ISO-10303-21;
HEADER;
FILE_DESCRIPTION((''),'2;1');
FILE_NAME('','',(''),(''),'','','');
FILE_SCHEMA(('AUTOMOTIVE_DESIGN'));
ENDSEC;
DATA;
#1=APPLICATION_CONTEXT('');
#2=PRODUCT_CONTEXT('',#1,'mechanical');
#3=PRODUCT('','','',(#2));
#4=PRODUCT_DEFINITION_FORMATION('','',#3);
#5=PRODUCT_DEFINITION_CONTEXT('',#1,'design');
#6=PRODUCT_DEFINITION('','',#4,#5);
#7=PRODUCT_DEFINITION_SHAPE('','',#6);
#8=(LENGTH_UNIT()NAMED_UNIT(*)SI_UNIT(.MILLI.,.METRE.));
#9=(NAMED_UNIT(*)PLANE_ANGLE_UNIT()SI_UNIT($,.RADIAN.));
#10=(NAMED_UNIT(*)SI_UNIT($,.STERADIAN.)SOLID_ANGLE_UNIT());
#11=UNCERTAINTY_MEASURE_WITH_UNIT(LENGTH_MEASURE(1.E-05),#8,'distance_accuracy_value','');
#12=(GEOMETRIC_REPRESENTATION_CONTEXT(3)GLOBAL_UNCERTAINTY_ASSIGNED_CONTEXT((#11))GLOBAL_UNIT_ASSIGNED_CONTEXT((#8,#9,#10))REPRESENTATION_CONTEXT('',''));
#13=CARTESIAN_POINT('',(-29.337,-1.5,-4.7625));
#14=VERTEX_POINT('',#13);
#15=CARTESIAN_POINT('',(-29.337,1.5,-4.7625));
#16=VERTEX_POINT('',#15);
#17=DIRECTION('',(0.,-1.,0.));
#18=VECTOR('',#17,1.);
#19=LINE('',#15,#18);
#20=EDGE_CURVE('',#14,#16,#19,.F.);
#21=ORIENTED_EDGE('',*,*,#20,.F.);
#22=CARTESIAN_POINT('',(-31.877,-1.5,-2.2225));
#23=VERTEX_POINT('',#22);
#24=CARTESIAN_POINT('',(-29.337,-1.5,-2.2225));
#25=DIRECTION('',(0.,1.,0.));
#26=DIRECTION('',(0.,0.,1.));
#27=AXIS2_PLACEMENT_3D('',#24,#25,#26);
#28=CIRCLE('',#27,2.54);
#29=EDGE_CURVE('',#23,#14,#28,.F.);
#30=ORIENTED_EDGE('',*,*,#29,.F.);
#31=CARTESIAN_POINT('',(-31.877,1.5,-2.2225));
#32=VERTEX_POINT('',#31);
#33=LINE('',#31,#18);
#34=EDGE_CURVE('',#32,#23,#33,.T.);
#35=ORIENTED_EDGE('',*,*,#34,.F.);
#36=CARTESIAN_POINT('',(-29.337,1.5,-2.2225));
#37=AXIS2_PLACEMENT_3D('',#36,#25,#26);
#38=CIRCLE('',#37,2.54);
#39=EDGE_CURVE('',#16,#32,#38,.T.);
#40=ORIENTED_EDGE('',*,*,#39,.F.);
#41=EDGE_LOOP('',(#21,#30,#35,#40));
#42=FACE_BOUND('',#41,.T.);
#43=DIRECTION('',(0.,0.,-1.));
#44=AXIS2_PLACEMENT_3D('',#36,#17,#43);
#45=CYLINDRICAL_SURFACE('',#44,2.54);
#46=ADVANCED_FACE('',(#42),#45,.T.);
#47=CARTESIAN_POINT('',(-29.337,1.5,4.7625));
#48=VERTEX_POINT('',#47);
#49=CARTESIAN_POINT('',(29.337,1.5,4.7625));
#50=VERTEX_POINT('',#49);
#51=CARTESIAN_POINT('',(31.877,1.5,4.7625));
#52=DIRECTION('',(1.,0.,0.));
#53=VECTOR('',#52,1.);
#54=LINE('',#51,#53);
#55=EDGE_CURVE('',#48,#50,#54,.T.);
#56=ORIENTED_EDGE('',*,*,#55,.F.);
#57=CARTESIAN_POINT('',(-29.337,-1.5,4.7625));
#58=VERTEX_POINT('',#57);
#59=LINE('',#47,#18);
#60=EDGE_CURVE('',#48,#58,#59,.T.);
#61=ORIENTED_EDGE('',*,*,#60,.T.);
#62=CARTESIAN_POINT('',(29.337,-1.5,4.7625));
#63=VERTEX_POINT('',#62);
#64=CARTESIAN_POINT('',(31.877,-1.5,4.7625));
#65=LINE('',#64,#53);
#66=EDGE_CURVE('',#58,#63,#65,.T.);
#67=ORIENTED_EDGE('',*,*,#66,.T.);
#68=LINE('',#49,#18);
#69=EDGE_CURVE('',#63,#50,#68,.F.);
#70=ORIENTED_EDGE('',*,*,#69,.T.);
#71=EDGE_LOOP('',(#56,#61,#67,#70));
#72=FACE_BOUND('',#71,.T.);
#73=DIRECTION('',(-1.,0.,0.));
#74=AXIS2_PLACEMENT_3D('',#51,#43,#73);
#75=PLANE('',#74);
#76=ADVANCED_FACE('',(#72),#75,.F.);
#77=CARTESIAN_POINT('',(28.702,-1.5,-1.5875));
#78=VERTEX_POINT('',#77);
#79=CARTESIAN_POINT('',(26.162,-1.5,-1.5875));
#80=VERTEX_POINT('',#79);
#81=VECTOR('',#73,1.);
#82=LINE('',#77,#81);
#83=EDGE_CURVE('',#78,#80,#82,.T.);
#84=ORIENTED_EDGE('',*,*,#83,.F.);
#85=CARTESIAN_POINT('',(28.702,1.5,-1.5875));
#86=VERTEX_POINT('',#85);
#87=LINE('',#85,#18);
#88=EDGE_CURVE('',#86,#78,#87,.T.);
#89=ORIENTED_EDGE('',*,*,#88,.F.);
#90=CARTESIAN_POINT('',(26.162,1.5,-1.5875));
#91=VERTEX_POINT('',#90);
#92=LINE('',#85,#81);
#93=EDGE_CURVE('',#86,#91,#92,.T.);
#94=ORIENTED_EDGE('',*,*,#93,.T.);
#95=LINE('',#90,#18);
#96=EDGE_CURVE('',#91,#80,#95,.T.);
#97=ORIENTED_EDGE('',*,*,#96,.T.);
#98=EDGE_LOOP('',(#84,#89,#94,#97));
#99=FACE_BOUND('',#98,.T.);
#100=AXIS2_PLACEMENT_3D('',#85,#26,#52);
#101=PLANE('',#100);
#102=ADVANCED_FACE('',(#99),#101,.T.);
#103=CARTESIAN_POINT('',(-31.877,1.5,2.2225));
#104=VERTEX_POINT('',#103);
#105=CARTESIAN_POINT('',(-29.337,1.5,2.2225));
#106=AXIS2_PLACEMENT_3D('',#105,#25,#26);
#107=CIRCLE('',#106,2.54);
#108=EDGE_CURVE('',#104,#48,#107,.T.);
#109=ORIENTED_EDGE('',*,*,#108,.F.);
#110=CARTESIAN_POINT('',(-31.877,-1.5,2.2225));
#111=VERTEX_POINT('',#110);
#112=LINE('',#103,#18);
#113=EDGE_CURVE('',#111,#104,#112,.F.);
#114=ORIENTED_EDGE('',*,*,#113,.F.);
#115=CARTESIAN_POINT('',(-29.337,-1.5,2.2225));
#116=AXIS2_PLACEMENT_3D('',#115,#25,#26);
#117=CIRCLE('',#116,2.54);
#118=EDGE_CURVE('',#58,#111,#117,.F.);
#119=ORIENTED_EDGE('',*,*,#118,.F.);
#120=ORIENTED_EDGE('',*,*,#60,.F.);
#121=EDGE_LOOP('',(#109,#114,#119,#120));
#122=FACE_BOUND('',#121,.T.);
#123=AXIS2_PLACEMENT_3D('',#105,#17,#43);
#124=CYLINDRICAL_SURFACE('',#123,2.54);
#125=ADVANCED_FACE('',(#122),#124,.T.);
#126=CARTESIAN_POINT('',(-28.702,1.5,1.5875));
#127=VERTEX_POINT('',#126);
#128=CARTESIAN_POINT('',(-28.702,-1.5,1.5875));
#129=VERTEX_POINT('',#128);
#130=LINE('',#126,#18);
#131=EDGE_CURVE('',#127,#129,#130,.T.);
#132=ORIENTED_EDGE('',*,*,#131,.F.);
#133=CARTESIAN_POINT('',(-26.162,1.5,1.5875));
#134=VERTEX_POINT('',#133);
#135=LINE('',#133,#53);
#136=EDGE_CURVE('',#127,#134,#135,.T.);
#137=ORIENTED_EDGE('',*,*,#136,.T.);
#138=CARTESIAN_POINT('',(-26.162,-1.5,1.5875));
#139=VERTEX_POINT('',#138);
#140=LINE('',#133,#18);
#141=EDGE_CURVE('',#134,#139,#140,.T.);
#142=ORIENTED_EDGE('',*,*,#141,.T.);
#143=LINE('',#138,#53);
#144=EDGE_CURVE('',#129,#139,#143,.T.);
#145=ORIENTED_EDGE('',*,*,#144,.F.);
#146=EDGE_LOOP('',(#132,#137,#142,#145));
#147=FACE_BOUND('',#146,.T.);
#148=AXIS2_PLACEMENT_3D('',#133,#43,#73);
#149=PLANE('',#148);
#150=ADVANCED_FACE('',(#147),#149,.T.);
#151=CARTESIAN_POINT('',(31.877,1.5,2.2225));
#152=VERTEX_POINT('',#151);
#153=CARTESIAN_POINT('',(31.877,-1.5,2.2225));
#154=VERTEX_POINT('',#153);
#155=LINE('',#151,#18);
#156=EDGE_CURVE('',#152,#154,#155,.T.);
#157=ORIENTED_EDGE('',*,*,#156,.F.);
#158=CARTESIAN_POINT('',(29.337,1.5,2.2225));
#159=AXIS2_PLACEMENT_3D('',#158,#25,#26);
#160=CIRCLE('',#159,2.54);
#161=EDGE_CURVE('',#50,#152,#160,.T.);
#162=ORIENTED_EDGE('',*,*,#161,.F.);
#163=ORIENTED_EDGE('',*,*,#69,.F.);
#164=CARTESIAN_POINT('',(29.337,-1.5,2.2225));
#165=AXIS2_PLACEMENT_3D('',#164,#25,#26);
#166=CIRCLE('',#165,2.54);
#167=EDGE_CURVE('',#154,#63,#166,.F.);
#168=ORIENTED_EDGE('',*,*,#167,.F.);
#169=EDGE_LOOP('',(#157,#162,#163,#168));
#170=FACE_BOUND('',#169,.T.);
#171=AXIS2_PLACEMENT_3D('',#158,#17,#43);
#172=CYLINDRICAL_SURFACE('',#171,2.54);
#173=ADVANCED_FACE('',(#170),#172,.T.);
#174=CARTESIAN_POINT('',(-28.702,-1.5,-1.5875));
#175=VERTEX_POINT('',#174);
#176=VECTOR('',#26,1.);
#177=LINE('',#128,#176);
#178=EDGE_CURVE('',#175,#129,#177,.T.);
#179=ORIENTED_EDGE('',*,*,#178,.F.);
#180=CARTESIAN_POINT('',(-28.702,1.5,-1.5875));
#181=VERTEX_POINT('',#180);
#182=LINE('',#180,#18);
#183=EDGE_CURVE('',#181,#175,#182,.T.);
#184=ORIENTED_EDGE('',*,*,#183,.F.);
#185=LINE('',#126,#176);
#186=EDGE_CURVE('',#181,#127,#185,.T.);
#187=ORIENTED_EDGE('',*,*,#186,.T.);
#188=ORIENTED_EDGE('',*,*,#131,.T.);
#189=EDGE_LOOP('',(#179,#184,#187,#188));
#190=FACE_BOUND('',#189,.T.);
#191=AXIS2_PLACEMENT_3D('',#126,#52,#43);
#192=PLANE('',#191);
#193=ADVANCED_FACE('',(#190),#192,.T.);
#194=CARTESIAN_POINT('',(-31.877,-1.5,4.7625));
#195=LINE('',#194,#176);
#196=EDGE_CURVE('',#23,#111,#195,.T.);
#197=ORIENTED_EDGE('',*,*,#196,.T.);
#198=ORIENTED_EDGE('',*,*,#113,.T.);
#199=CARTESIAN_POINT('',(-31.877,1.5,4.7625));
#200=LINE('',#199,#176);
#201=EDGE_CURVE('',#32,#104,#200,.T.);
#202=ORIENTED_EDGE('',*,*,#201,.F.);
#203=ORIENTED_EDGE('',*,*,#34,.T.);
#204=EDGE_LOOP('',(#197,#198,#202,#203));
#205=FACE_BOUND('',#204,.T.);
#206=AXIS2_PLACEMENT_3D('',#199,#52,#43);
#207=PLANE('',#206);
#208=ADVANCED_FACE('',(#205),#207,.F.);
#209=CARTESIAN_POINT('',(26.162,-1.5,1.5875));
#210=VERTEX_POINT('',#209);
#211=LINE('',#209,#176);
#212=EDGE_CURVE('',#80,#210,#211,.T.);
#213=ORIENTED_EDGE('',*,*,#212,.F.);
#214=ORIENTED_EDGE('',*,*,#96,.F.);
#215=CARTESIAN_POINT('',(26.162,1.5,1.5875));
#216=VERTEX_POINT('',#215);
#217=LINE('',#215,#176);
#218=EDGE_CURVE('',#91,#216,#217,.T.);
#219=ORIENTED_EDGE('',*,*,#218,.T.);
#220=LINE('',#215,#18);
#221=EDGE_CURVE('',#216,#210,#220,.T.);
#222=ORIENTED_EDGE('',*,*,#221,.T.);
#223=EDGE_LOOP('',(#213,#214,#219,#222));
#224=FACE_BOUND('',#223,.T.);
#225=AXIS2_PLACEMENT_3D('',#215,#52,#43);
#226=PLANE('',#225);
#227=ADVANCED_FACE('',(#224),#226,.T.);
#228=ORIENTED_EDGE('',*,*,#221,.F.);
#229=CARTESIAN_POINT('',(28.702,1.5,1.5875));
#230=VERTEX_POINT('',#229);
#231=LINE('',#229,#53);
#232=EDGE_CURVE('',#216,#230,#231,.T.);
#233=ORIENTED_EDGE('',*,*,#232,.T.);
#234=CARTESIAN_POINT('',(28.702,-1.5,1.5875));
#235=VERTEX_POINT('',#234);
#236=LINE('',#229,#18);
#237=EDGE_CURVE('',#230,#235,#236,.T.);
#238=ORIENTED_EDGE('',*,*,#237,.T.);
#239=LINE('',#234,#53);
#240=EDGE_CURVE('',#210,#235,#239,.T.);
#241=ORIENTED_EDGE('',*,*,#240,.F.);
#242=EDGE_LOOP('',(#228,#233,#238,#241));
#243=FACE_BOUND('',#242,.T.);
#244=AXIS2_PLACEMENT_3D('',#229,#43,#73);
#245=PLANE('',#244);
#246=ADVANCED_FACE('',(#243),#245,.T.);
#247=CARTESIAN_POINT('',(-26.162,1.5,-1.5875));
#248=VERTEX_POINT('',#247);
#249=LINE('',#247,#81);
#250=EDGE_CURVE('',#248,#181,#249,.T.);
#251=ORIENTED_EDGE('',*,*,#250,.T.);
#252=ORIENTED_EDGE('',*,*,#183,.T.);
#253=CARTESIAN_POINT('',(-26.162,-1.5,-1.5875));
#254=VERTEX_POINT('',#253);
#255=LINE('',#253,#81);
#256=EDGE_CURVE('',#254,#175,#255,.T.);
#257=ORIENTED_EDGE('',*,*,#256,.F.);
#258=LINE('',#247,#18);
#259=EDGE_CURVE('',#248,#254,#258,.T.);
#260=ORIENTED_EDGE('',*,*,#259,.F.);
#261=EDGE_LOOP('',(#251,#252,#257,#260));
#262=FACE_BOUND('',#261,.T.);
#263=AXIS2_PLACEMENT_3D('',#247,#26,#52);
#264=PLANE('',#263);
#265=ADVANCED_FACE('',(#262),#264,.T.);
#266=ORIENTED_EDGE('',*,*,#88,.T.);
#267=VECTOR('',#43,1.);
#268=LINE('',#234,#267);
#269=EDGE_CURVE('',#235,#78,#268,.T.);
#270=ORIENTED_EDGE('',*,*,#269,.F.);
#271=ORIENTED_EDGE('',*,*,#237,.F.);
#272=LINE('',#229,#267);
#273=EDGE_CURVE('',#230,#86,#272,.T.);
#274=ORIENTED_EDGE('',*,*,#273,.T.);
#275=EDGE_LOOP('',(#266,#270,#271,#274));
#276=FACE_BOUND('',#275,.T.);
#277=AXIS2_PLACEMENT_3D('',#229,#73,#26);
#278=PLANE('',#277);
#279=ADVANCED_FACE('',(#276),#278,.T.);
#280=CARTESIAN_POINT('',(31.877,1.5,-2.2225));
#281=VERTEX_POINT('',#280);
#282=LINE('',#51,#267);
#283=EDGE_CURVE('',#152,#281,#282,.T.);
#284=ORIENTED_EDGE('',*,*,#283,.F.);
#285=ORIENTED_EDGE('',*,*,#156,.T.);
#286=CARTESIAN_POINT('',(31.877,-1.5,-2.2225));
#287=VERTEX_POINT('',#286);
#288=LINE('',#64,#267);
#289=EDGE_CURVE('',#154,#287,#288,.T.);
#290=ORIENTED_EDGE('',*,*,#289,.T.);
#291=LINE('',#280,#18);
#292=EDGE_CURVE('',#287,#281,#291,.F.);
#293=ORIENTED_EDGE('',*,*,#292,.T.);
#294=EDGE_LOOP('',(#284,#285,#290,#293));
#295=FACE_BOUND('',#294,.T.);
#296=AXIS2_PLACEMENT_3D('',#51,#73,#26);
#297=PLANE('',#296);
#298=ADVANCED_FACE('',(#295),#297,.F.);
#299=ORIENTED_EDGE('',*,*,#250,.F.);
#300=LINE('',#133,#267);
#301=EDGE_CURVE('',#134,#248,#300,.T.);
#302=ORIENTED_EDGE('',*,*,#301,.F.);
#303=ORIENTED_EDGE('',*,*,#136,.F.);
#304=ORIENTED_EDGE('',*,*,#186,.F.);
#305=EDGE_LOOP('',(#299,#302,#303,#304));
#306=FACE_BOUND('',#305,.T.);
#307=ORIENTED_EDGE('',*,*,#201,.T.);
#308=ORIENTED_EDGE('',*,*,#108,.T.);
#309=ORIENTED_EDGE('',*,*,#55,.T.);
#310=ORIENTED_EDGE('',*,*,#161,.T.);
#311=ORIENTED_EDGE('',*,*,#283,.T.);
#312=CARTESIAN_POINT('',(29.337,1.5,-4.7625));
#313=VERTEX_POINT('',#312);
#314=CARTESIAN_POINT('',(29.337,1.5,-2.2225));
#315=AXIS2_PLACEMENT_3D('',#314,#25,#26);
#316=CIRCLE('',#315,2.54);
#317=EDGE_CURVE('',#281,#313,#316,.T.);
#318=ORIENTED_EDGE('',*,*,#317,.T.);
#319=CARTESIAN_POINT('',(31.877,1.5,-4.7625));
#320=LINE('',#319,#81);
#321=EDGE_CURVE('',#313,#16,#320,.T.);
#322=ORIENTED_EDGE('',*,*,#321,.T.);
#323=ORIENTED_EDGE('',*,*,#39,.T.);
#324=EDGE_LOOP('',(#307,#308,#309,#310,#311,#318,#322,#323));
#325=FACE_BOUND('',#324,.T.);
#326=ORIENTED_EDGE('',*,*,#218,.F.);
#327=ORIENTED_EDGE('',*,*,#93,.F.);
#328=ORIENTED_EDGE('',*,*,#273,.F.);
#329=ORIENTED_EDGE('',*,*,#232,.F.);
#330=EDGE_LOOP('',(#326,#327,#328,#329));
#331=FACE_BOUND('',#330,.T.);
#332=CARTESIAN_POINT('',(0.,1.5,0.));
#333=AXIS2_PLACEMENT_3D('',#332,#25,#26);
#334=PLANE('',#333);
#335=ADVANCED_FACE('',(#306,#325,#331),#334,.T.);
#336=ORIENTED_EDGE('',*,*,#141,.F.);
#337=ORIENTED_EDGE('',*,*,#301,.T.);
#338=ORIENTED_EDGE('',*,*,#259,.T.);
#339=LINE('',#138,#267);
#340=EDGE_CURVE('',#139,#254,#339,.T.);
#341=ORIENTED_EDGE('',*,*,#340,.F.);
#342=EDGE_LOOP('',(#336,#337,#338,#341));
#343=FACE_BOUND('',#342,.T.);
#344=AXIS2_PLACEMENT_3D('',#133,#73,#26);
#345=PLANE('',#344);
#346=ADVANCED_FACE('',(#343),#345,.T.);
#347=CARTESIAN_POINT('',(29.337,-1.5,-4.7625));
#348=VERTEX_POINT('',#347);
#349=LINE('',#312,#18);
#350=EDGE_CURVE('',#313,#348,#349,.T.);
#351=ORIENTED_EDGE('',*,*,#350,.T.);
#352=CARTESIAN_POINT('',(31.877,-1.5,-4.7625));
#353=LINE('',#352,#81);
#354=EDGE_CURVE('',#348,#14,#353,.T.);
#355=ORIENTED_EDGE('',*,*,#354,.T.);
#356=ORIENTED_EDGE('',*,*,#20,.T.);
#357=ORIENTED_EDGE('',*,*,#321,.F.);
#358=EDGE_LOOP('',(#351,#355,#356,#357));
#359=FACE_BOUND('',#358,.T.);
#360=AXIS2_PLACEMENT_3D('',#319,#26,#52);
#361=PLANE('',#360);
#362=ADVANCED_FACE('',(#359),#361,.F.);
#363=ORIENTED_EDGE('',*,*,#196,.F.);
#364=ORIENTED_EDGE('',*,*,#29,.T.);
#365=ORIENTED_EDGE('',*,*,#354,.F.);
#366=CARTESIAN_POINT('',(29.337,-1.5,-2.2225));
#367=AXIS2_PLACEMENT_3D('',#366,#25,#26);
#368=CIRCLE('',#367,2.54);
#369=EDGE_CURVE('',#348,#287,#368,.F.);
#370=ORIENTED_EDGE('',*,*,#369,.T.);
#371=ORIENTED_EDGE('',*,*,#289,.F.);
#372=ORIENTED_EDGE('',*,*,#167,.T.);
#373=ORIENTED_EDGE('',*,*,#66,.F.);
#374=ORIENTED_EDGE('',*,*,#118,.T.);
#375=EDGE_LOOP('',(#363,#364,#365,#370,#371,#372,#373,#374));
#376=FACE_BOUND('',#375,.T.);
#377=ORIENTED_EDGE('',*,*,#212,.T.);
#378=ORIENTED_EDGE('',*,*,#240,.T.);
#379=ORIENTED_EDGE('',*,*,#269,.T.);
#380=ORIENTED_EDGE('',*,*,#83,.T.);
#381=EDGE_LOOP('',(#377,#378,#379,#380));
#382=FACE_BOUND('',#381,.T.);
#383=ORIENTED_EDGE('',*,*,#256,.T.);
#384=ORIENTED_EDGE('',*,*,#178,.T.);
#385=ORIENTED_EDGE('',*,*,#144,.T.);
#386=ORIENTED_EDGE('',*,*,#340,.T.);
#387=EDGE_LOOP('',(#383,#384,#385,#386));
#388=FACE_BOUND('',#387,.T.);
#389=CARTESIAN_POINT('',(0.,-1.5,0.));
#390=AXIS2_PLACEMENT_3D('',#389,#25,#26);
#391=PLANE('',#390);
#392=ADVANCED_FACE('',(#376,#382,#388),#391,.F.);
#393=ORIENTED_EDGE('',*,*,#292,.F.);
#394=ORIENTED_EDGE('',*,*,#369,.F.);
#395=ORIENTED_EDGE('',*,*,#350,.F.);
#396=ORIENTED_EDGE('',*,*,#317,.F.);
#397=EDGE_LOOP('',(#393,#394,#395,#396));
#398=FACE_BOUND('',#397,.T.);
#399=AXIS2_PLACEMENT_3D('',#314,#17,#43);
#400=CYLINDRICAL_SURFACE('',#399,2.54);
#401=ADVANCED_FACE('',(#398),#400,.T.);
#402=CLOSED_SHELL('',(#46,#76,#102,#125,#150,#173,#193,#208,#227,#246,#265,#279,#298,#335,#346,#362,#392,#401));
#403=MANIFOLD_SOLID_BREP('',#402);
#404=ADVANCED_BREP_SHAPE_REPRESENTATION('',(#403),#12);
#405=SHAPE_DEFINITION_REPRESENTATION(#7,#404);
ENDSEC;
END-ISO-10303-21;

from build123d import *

# Parameters (mm, degrees)
SKETCH1_W           = 63.754
SKETCH1_H           = 9.525
SKETCH1_W_2         = 2.54
SKETCH1_H_2         = 3.175
BOSS_EXTRUDE1_DEPTH = 1.5
FILLET1_R           = 2.54


with BuildPart() as part:
    # Sketch1 → Boss-Extrude1 (new, symmetric)
    with BuildSketch(Plane(origin=(0, 0, 0), x_dir=(1, 0, 0), z_dir=(0, 1, 0))):
        Rectangle(SKETCH1_W, SKETCH1_H)
        with Locations((-27.432, 0)):
            Rectangle(SKETCH1_W_2, SKETCH1_H_2, mode=Mode.SUBTRACT)
        with Locations((27.432, 0)):
            Rectangle(SKETCH1_W_2, SKETCH1_H_2, mode=Mode.SUBTRACT)
    extrude(amount=BOSS_EXTRUDE1_DEPTH, both=True)

    # Fillet1
    fillet1_edges = [part.edges().sort_by_distance(p)[0] for p in [
        (-31.877, 0, -4.7625),
        (31.877, 0, -4.7625),
        (31.877, 0, 4.7625),
        (-31.877, 0, 4.7625),
    ]]
    fillet(fillet1_edges, radius=FILLET1_R)


solid = part.part
